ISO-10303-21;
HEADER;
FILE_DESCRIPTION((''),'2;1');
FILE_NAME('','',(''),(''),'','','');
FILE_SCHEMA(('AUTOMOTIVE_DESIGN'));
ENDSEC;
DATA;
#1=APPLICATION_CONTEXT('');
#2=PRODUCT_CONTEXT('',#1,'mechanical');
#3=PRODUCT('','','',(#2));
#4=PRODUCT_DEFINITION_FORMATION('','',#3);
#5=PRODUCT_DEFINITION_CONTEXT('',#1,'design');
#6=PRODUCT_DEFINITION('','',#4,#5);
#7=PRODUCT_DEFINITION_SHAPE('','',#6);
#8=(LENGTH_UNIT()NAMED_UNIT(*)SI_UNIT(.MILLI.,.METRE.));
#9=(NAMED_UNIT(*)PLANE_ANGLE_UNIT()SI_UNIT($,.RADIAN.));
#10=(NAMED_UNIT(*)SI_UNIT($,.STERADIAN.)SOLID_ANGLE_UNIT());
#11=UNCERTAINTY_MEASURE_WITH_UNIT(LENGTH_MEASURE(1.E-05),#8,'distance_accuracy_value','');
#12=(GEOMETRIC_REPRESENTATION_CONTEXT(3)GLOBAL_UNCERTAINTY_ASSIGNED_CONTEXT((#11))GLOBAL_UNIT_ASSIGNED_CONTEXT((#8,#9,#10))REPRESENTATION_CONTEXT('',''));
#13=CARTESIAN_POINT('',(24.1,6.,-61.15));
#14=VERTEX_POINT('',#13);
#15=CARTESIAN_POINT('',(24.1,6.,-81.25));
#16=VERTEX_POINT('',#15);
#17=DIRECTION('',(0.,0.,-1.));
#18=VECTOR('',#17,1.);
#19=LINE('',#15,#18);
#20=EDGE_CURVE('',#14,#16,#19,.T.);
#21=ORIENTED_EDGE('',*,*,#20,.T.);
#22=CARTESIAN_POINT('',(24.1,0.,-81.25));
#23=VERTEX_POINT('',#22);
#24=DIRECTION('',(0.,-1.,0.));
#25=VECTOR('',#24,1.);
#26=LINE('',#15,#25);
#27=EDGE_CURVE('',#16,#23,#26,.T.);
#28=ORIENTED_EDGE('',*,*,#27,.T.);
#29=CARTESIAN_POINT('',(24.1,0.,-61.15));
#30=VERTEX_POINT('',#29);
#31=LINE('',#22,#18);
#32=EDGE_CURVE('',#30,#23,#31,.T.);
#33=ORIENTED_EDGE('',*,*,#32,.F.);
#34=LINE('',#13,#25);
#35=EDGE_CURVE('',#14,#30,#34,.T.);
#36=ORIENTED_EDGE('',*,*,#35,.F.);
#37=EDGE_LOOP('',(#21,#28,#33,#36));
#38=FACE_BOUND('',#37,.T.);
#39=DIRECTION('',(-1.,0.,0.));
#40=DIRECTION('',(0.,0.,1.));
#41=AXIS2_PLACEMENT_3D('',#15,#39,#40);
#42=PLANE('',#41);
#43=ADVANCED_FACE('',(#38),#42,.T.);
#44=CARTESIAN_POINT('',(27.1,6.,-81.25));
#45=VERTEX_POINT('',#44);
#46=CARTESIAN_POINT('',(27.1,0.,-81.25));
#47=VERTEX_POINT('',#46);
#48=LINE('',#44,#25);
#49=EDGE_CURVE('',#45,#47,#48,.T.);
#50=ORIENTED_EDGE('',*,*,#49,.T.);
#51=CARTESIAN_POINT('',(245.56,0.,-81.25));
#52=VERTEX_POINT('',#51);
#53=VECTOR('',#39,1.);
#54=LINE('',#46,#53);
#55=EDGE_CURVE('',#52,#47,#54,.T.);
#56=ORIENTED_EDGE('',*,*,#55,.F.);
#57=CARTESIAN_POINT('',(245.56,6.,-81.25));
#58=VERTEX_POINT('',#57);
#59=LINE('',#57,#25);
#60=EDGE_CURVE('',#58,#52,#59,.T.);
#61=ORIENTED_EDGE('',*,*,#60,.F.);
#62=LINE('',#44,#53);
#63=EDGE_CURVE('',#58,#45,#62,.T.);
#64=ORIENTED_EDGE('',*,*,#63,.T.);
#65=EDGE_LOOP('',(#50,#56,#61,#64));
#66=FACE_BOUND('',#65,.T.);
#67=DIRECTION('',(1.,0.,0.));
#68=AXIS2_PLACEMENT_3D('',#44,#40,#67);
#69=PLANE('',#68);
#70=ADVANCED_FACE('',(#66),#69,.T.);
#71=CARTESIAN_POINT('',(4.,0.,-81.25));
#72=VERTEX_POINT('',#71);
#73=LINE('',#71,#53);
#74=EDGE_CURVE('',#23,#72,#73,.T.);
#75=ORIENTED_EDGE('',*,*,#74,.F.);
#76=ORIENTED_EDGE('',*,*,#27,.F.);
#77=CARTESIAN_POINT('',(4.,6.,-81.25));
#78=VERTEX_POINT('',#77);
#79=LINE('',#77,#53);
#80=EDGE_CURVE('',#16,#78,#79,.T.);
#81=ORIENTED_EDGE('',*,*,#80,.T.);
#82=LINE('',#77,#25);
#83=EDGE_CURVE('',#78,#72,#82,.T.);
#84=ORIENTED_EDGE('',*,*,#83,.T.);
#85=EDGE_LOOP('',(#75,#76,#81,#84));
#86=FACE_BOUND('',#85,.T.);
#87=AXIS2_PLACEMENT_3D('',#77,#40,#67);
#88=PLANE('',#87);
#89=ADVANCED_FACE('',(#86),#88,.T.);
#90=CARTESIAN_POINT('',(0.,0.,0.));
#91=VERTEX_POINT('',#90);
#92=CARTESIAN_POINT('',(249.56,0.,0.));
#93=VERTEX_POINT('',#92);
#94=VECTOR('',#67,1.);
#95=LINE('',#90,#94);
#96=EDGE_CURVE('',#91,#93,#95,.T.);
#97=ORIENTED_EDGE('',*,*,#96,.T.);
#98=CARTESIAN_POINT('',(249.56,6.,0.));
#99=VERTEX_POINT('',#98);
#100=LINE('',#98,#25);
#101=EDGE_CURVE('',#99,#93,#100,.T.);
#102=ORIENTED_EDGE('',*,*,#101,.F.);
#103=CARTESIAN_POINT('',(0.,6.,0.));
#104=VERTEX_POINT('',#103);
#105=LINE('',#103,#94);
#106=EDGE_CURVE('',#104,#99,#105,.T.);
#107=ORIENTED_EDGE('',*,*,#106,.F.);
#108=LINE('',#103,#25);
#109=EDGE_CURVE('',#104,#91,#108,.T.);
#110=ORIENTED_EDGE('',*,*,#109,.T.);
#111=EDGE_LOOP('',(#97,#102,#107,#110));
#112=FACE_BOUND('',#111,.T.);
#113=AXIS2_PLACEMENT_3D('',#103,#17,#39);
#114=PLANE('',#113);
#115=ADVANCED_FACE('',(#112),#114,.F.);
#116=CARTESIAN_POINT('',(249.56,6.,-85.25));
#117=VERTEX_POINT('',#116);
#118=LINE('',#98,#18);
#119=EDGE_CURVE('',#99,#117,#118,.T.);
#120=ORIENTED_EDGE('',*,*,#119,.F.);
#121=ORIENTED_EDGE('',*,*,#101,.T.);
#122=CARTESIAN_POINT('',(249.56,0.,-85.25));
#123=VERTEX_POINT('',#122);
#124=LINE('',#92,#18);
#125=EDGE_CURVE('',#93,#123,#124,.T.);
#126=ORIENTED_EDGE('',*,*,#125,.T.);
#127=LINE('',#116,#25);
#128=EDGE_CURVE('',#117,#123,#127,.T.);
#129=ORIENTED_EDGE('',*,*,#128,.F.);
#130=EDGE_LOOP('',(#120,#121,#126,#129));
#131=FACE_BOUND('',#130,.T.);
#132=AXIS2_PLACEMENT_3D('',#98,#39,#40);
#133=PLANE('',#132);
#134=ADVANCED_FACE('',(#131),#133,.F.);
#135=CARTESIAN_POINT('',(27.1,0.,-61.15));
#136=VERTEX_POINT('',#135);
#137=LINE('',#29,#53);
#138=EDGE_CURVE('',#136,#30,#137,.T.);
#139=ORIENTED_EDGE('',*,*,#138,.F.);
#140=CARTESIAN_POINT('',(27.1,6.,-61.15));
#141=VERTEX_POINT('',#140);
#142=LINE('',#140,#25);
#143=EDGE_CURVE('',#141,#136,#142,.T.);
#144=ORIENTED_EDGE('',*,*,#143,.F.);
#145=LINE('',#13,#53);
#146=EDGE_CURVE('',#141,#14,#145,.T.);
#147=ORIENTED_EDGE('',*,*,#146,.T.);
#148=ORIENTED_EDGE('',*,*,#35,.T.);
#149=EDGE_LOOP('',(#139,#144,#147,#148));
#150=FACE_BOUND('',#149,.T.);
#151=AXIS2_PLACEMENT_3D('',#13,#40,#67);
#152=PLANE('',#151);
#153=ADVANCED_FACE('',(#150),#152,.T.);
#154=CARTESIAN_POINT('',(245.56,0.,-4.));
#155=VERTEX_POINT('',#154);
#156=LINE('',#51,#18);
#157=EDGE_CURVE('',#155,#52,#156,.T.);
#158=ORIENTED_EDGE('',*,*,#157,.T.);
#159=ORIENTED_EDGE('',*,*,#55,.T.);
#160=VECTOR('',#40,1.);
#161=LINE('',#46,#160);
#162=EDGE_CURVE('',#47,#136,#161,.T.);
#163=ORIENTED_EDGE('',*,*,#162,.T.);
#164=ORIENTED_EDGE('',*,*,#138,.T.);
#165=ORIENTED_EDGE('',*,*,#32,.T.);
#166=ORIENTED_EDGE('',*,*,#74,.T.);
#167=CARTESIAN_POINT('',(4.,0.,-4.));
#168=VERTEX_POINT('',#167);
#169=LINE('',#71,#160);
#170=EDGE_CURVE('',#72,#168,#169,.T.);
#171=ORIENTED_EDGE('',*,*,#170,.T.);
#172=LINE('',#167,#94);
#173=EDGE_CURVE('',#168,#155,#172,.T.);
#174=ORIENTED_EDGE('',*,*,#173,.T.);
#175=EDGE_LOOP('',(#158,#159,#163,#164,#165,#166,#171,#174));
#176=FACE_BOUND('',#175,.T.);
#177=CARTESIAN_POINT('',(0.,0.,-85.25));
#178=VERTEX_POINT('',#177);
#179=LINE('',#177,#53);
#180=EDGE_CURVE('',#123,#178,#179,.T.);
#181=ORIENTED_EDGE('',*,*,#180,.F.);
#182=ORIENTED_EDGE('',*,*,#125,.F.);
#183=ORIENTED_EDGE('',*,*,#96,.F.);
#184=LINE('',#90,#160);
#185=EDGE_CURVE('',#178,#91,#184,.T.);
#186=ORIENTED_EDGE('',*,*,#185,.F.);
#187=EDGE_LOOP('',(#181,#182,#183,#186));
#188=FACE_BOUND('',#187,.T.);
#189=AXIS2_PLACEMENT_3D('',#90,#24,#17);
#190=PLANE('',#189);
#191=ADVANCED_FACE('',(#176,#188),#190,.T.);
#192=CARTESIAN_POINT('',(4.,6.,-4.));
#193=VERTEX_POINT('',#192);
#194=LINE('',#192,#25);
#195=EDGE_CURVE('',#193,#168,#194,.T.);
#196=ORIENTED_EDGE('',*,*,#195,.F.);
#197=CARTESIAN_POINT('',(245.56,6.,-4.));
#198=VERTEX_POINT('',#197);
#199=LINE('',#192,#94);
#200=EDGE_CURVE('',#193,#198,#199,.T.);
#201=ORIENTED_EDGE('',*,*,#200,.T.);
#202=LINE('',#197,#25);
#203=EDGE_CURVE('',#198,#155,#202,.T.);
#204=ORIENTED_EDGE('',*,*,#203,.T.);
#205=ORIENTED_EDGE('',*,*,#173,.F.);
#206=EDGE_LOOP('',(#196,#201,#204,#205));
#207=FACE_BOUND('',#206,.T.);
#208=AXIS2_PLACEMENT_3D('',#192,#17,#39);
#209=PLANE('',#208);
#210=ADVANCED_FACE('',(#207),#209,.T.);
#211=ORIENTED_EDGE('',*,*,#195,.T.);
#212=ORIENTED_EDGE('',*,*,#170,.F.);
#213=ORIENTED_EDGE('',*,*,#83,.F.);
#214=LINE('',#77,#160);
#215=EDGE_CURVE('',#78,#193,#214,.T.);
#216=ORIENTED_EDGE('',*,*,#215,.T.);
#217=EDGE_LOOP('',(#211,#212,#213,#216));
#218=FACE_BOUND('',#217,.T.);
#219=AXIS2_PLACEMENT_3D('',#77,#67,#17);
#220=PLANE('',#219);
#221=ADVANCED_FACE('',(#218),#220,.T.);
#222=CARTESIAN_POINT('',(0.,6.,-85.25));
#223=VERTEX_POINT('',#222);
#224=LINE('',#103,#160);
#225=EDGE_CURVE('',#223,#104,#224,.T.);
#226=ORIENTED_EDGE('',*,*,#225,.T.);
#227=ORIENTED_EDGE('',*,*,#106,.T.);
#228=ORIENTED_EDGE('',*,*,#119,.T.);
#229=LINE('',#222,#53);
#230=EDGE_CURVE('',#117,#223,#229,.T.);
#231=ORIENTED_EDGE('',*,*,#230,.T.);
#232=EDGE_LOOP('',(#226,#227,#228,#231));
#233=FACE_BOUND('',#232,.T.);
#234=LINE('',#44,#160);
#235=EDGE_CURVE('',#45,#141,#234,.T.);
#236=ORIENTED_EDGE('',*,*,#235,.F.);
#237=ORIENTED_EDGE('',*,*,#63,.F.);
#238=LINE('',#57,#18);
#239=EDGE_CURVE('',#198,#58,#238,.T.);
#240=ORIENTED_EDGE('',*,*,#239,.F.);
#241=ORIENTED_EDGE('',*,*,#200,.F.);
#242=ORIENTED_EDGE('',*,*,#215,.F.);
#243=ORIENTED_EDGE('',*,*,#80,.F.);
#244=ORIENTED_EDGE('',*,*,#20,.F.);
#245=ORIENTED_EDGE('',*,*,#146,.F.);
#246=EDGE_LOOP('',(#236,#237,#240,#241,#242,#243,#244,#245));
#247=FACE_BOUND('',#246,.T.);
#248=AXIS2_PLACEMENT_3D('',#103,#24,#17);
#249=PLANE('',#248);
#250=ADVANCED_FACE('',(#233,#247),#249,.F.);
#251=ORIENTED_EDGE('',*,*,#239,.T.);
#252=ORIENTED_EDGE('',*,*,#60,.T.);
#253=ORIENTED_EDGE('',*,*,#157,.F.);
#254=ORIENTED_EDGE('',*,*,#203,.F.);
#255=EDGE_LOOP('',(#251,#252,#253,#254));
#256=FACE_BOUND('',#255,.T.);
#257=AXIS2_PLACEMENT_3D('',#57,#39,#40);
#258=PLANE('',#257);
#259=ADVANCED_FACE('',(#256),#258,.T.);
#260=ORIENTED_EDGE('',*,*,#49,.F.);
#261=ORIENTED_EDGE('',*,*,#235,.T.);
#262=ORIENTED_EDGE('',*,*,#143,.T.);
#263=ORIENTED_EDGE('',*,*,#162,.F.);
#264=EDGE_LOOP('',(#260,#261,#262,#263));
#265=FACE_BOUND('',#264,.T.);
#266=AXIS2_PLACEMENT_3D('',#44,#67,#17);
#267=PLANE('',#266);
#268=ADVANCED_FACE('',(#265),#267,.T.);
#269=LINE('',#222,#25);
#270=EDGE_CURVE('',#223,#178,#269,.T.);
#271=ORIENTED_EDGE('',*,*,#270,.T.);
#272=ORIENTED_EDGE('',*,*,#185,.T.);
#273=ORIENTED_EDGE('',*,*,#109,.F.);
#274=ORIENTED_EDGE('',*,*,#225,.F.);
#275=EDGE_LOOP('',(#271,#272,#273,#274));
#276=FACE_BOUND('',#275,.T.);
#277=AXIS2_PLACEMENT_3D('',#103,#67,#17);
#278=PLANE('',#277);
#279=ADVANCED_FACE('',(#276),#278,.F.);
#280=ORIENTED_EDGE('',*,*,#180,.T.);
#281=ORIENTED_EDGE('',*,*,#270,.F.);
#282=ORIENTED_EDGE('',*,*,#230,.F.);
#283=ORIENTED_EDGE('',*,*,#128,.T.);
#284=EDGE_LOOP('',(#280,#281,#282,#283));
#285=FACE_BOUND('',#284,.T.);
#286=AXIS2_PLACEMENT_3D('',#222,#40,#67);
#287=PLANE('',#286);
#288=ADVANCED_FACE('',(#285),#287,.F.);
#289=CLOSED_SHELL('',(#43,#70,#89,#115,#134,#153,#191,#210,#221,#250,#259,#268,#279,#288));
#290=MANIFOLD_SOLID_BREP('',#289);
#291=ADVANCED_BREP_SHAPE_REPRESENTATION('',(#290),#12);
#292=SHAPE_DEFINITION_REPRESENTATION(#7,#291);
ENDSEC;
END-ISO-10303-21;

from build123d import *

# Parameters (mm, degrees)
ESQUISSE1_W        = 249.56
ESQUISSE1_H        = 85.25
BOSS_EXTRU_1_DEPTH = 6


with BuildPart() as part:
    # Esquisse1 → Boss.-Extru.1 (new body)
    with BuildSketch(Plane(origin=(0, 0, 0), x_dir=(1, 0, 0), z_dir=(0, 1, 0))):
        with Locations((124.78, 42.625)):
            Rectangle(ESQUISSE1_W, ESQUISSE1_H)
        Polygon((27.1, 81.25), (245.56, 81.25), (245.56, 4), (4, 4), (4, 81.25), (24.1, 81.25), (24.1, 61.15), (27.1, 61.15), align=None, mode=Mode.SUBTRACT)
    extrude(amount=BOSS_EXTRU_1_DEPTH)


solid = part.part
